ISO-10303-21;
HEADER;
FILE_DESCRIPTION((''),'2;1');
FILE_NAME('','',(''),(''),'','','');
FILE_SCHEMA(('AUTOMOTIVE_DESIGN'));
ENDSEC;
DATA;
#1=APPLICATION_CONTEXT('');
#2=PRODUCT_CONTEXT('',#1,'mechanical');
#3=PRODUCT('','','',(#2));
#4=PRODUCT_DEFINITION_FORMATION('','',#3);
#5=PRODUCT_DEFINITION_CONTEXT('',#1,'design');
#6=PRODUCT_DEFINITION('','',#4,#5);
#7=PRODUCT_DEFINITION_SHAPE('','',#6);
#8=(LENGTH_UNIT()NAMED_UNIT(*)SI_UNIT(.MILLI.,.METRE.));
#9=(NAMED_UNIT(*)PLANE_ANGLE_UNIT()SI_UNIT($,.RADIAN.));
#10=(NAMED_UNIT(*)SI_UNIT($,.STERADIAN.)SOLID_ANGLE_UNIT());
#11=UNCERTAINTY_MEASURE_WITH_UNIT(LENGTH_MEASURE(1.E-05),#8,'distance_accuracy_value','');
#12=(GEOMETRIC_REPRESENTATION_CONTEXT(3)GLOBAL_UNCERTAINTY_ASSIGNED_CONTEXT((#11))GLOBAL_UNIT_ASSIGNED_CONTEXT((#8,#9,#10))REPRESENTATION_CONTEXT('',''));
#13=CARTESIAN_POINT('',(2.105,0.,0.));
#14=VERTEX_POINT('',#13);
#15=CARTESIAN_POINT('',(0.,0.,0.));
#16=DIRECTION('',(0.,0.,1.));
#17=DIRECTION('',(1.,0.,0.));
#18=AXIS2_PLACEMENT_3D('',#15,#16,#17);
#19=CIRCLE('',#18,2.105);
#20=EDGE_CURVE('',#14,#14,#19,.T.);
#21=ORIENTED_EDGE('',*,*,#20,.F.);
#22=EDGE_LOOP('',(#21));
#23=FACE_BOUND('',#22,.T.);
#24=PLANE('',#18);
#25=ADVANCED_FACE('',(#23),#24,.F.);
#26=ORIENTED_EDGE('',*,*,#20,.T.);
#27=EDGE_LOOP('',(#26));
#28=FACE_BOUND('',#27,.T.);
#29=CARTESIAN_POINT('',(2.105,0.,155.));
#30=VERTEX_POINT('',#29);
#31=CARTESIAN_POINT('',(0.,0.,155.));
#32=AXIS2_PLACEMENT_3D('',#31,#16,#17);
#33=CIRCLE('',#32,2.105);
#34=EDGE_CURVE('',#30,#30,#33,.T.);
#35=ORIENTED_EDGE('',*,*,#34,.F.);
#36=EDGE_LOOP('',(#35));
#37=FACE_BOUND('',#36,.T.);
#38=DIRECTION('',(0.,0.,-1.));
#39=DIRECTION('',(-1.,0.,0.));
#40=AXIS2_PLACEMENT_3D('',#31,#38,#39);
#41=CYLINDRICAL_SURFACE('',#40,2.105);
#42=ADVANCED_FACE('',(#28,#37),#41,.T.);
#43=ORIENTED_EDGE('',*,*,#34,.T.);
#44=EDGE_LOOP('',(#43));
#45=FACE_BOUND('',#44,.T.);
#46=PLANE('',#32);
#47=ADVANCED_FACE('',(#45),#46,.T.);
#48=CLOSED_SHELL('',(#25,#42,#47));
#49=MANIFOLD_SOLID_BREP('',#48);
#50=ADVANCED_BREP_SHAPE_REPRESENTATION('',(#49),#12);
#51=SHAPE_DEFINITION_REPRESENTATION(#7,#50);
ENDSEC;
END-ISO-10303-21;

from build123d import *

# Parameters (mm, degrees)
ESQUISSE1_R        = 2.105
BOSS_EXTRU_1_DEPTH = 155


with BuildPart() as part:
    # Esquisse1 → Boss.-Extru.1 (new body)
    with BuildSketch(Plane.XY):
        Circle(ESQUISSE1_R)
    extrude(amount=BOSS_EXTRU_1_DEPTH)


solid = part.part
